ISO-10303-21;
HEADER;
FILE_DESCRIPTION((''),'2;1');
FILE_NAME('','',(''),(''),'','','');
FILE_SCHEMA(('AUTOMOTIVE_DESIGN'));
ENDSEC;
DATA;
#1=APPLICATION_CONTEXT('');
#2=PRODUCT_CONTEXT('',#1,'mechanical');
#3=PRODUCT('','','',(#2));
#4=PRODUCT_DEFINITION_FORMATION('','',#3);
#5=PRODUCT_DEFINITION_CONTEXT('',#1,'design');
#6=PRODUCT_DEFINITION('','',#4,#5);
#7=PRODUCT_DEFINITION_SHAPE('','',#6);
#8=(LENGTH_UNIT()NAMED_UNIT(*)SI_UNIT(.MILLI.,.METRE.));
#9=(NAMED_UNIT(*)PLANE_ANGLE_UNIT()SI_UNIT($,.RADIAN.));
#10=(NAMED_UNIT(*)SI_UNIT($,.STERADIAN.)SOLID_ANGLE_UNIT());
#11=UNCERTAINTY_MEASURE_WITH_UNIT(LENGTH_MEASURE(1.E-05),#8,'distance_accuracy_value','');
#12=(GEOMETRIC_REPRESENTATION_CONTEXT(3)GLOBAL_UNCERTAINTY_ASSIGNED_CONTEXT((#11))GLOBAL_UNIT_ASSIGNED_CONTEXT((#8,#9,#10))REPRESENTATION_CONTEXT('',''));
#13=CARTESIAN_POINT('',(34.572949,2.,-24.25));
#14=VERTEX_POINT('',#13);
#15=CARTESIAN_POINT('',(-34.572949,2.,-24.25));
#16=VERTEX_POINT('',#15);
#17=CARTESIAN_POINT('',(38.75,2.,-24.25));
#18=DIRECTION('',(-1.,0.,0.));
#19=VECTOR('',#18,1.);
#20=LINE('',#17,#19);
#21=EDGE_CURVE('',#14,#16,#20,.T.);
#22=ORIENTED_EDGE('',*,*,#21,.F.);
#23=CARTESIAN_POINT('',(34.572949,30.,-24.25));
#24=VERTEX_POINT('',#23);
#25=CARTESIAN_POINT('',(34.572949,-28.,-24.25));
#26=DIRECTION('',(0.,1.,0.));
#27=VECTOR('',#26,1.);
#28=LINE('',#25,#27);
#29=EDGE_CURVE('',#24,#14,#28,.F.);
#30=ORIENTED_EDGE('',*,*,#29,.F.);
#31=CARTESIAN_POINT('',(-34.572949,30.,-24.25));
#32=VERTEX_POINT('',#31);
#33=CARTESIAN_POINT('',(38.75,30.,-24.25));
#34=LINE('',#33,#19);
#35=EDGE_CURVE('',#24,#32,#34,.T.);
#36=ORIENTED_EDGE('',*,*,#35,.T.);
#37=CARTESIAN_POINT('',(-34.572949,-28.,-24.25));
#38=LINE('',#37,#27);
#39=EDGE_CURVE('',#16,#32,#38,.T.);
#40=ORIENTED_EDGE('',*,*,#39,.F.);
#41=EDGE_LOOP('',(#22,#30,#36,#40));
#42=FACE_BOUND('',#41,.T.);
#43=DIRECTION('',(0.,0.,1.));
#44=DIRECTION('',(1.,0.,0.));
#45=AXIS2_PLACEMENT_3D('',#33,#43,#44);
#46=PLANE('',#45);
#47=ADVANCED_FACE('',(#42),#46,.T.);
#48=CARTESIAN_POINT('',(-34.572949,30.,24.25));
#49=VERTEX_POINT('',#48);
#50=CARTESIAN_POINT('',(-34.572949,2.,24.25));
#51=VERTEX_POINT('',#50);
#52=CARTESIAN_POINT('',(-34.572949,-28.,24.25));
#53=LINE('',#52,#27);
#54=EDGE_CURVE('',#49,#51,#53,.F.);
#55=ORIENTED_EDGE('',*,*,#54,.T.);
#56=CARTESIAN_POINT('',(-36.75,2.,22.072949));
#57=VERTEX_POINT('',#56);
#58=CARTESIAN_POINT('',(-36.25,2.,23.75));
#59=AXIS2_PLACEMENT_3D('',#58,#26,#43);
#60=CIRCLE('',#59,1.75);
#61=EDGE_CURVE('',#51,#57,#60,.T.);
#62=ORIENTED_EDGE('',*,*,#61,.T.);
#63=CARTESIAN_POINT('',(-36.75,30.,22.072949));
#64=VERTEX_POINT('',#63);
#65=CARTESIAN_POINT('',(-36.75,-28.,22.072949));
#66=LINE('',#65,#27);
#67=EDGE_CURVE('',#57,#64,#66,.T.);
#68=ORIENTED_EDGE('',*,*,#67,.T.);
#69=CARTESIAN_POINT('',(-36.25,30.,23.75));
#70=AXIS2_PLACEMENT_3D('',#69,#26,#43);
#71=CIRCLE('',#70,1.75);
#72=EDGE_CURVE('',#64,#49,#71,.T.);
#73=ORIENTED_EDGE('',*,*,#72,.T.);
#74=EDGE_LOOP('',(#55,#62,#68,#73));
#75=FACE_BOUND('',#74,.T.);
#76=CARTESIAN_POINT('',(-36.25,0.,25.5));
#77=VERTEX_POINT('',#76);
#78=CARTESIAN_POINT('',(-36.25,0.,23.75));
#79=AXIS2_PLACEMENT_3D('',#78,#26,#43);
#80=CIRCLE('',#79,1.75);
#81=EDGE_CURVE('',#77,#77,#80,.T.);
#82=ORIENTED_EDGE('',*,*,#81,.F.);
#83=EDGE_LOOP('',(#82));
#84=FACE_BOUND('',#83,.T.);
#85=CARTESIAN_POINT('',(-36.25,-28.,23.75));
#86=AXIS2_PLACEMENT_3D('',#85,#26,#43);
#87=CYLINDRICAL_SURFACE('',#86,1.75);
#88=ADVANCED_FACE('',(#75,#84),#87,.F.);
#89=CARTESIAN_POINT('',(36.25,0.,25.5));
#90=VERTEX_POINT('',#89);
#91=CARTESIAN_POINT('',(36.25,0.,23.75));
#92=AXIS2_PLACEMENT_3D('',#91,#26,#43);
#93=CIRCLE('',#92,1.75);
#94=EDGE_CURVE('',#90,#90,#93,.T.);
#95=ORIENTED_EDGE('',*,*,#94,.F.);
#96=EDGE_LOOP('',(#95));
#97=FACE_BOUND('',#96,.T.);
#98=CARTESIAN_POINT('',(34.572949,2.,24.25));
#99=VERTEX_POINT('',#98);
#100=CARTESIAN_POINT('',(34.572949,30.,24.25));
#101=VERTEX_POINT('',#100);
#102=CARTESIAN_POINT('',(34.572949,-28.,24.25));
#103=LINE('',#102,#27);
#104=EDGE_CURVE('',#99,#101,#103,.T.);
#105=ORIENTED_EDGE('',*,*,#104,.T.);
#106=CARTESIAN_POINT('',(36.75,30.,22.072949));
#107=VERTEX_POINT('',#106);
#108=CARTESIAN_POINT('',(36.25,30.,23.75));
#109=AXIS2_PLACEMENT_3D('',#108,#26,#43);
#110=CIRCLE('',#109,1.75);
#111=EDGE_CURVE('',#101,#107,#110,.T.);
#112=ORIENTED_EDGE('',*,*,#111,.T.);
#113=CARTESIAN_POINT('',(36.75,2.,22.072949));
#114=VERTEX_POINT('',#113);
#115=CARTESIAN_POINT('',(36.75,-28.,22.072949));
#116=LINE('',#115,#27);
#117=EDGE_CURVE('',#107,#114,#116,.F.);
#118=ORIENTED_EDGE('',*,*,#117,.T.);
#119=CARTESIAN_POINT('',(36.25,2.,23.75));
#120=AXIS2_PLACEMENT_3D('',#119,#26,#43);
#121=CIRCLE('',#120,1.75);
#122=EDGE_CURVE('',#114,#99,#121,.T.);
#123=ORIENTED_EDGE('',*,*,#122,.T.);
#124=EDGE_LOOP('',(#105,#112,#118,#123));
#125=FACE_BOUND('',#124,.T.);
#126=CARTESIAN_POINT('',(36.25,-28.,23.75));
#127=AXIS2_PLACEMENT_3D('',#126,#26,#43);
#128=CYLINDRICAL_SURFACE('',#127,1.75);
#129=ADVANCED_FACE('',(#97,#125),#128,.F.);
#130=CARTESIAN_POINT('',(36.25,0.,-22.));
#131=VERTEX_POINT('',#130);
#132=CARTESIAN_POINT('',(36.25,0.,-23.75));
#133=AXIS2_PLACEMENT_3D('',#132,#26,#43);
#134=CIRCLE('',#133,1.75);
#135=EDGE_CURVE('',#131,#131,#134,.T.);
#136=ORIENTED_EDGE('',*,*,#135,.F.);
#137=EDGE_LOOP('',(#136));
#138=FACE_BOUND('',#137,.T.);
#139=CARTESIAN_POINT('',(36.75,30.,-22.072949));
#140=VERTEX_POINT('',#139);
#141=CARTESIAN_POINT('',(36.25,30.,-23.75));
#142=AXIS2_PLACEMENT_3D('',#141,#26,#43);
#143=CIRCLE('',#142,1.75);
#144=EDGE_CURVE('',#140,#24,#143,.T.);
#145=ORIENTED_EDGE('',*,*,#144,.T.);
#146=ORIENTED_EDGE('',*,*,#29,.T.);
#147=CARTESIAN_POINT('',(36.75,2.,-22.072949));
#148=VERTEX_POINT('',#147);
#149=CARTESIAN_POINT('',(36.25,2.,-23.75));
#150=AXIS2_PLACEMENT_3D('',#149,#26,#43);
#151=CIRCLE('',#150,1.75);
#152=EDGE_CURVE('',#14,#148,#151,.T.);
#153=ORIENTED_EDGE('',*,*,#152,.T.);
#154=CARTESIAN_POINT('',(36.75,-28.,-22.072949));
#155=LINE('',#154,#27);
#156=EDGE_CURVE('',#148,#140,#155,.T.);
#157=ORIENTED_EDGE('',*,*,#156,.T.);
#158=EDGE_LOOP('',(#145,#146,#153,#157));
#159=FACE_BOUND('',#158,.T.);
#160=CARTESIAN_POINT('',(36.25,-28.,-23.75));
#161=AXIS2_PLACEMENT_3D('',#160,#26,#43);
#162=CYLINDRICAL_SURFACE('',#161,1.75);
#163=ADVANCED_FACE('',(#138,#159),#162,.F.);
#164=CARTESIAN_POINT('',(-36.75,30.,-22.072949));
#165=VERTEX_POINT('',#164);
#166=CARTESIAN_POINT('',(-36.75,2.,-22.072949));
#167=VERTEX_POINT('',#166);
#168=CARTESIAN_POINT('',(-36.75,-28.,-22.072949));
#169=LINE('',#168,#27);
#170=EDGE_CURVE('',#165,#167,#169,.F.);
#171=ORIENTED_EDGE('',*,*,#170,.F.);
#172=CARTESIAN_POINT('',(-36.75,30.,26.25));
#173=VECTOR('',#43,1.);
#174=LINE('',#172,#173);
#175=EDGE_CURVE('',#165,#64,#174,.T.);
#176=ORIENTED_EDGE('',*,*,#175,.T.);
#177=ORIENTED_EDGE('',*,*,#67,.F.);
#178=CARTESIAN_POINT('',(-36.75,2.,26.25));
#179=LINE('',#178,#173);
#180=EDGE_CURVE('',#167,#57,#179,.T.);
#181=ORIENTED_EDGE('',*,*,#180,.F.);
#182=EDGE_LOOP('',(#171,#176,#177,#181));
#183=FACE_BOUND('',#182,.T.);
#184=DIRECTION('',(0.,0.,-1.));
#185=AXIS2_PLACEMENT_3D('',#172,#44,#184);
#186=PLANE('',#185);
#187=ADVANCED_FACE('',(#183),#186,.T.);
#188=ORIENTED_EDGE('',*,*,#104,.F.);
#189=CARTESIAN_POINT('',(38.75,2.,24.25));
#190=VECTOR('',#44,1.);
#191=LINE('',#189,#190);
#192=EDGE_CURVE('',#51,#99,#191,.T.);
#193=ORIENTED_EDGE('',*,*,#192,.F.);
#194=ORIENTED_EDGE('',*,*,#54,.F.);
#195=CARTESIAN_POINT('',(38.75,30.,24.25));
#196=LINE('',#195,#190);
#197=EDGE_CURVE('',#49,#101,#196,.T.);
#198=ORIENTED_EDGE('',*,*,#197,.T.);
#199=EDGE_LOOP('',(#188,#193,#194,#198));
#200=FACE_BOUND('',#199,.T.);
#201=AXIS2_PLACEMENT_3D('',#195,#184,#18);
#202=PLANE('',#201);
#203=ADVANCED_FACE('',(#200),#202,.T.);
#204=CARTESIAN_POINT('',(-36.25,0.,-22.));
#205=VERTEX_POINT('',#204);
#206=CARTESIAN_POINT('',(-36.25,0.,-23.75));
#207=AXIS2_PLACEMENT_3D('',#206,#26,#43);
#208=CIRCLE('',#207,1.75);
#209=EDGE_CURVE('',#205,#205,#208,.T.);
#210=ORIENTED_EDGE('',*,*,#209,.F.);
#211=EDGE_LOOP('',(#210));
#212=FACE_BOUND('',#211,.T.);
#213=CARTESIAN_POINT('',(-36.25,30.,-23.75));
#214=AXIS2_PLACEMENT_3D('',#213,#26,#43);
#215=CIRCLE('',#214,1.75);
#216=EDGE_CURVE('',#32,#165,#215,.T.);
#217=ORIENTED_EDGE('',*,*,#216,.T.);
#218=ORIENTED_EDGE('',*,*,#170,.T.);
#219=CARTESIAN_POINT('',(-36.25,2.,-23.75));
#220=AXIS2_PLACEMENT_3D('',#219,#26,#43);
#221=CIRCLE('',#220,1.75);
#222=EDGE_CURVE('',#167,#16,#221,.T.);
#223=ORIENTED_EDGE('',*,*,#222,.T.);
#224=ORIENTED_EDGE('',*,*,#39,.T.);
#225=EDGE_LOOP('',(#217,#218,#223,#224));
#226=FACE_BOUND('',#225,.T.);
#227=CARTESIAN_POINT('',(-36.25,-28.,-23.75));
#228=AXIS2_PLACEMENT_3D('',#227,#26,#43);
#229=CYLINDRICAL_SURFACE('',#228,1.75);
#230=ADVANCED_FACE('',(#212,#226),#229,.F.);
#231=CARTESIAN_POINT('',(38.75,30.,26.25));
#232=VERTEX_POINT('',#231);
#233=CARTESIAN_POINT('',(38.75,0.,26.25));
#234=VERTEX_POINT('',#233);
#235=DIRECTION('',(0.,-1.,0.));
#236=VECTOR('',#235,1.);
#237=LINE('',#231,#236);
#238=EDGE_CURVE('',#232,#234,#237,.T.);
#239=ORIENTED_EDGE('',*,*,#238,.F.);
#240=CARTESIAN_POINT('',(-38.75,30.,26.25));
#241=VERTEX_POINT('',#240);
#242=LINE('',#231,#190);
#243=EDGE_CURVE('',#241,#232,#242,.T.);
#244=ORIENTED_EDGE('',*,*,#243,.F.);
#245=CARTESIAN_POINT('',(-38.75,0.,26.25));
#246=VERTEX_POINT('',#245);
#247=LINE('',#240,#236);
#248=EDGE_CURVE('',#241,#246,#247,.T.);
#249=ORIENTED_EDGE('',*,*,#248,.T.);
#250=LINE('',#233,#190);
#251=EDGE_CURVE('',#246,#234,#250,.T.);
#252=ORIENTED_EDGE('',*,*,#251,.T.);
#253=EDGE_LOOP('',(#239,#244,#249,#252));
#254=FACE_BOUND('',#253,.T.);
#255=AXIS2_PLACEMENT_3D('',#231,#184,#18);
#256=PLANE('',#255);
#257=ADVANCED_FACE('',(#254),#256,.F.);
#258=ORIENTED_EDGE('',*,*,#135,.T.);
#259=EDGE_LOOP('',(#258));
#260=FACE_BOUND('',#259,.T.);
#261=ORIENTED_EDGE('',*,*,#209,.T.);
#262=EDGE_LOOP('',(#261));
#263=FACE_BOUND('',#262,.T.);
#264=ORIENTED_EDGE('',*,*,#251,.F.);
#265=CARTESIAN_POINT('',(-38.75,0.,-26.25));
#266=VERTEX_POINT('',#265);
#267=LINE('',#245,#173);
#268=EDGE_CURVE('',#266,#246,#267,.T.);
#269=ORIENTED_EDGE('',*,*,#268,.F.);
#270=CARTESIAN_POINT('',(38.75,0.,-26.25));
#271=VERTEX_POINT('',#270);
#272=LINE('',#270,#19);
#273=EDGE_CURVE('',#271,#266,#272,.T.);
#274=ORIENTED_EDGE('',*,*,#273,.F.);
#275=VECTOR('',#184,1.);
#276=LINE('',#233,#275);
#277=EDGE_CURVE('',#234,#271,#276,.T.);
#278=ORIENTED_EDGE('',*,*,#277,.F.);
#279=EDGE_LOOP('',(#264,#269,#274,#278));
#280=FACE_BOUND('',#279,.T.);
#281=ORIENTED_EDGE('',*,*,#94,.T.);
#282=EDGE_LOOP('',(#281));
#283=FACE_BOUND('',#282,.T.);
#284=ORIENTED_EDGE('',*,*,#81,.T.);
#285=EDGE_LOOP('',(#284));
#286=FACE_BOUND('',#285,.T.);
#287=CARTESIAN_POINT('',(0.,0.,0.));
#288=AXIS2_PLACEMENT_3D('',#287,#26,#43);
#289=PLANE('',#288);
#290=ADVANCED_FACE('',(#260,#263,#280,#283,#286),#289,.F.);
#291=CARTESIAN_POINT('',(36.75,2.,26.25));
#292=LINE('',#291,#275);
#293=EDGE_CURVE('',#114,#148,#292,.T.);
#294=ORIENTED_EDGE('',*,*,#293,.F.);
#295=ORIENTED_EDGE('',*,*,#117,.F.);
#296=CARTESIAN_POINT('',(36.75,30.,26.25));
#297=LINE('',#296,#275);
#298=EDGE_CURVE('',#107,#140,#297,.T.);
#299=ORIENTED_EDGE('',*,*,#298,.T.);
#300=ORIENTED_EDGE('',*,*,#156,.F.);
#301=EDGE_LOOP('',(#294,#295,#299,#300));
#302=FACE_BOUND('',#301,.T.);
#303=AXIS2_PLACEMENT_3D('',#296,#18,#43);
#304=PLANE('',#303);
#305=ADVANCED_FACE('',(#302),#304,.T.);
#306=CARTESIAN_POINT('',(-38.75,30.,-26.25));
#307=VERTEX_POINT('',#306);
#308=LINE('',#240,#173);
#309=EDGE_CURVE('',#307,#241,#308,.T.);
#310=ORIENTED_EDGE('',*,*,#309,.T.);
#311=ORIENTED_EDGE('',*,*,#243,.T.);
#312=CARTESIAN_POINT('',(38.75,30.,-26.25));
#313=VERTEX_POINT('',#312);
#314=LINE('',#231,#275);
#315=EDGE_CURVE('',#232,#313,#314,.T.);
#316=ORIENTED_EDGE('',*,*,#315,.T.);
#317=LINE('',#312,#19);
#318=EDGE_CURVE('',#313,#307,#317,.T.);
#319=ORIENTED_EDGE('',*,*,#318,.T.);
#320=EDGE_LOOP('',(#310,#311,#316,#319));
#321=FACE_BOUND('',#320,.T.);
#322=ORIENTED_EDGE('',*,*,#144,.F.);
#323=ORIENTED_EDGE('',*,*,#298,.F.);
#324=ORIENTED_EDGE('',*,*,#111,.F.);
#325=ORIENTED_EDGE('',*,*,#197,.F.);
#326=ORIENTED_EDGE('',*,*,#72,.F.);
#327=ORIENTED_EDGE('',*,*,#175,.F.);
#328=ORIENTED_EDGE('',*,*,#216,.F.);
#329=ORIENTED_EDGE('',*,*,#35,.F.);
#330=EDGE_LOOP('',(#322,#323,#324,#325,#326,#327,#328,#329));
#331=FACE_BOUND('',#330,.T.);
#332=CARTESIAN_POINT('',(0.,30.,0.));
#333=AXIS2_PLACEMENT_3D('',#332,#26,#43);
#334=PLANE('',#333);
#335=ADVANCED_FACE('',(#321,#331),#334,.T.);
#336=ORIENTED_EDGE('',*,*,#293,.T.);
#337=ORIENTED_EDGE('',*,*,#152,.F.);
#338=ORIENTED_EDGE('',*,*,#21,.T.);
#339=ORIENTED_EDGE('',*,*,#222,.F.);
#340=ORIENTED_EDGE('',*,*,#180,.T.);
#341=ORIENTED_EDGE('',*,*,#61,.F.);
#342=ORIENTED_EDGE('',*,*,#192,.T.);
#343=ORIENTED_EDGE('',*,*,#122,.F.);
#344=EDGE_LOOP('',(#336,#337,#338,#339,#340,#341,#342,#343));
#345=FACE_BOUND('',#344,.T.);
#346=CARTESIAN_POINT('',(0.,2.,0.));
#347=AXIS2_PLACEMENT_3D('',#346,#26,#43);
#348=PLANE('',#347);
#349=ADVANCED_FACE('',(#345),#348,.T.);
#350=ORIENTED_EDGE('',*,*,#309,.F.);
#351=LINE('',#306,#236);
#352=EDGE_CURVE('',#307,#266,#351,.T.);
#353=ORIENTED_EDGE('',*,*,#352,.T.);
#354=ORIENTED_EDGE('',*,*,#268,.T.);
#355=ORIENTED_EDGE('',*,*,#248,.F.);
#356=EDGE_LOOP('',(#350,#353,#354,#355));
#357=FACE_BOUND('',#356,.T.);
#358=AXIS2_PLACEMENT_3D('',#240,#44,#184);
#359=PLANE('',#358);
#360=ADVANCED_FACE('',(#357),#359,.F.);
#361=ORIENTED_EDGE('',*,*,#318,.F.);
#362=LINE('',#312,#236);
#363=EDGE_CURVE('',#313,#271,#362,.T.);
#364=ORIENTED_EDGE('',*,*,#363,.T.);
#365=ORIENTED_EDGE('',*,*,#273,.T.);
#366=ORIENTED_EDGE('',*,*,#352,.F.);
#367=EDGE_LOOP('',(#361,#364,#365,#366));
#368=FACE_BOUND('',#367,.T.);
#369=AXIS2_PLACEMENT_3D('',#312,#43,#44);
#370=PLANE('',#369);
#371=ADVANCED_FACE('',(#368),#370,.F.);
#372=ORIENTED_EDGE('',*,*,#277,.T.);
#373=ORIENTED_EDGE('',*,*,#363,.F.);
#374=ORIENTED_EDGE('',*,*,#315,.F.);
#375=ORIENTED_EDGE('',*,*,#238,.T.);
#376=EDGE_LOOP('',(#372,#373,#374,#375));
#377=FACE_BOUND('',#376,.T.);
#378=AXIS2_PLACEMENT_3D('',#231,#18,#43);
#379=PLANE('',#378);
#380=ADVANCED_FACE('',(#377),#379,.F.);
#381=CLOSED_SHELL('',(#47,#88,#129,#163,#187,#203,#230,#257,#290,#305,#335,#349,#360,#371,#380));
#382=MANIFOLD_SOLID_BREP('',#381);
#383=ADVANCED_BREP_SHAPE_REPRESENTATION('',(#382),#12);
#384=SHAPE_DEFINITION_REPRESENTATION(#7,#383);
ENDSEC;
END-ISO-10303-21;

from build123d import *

# Parameters (mm, degrees)
CROQUIS1_W              = 77.5
CROQUIS1_H              = 52.5
SALIENTE_EXTRUIR1_DEPTH = 30
VACIADO1_T              = -2
CROQUIS2_R              = 1.75
CORTAR_EXTRUIR1_DEPTH   = 30


with BuildPart() as part:
    # Croquis1 → Saliente-Extruir1 (new body)
    with BuildSketch(Plane(origin=(0, 0, 0), x_dir=(1, 0, 0), z_dir=(0, 1, 0))):
        Rectangle(CROQUIS1_W, CROQUIS1_H)
    extrude(amount=SALIENTE_EXTRUIR1_DEPTH)

    # Vaciado1
    vaciado1_openings = [part.faces().sort_by_distance(p)[0] for p in [
        (0, 30, 0),
    ]]
    offset(amount=VACIADO1_T, openings=vaciado1_openings, kind=Kind.INTERSECTION)

    # Croquis2 → Cortar-Extruir1 (cut, symmetric)
    with BuildSketch(Plane(origin=(0, 2, 0), x_dir=(1, 0, 0), z_dir=(0, 1, 0))):
        with Locations(Location((-36.25, 23.75, 0), (0, 0, 270))):
            Circle(CROQUIS2_R)
        with Locations(Location((36.25, 23.75, 0), (0, 0, 270))):
            Circle(CROQUIS2_R)
        with Locations(Location((36.25, -23.75, 0), (0, 0, 270))):
            Circle(CROQUIS2_R)
        with Locations(Location((-36.25, -23.75, 0), (0, 0, 270))):
            Circle(CROQUIS2_R)
    extrude(amount=CORTAR_EXTRUIR1_DEPTH, both=True, mode=Mode.SUBTRACT)


solid = part.part
